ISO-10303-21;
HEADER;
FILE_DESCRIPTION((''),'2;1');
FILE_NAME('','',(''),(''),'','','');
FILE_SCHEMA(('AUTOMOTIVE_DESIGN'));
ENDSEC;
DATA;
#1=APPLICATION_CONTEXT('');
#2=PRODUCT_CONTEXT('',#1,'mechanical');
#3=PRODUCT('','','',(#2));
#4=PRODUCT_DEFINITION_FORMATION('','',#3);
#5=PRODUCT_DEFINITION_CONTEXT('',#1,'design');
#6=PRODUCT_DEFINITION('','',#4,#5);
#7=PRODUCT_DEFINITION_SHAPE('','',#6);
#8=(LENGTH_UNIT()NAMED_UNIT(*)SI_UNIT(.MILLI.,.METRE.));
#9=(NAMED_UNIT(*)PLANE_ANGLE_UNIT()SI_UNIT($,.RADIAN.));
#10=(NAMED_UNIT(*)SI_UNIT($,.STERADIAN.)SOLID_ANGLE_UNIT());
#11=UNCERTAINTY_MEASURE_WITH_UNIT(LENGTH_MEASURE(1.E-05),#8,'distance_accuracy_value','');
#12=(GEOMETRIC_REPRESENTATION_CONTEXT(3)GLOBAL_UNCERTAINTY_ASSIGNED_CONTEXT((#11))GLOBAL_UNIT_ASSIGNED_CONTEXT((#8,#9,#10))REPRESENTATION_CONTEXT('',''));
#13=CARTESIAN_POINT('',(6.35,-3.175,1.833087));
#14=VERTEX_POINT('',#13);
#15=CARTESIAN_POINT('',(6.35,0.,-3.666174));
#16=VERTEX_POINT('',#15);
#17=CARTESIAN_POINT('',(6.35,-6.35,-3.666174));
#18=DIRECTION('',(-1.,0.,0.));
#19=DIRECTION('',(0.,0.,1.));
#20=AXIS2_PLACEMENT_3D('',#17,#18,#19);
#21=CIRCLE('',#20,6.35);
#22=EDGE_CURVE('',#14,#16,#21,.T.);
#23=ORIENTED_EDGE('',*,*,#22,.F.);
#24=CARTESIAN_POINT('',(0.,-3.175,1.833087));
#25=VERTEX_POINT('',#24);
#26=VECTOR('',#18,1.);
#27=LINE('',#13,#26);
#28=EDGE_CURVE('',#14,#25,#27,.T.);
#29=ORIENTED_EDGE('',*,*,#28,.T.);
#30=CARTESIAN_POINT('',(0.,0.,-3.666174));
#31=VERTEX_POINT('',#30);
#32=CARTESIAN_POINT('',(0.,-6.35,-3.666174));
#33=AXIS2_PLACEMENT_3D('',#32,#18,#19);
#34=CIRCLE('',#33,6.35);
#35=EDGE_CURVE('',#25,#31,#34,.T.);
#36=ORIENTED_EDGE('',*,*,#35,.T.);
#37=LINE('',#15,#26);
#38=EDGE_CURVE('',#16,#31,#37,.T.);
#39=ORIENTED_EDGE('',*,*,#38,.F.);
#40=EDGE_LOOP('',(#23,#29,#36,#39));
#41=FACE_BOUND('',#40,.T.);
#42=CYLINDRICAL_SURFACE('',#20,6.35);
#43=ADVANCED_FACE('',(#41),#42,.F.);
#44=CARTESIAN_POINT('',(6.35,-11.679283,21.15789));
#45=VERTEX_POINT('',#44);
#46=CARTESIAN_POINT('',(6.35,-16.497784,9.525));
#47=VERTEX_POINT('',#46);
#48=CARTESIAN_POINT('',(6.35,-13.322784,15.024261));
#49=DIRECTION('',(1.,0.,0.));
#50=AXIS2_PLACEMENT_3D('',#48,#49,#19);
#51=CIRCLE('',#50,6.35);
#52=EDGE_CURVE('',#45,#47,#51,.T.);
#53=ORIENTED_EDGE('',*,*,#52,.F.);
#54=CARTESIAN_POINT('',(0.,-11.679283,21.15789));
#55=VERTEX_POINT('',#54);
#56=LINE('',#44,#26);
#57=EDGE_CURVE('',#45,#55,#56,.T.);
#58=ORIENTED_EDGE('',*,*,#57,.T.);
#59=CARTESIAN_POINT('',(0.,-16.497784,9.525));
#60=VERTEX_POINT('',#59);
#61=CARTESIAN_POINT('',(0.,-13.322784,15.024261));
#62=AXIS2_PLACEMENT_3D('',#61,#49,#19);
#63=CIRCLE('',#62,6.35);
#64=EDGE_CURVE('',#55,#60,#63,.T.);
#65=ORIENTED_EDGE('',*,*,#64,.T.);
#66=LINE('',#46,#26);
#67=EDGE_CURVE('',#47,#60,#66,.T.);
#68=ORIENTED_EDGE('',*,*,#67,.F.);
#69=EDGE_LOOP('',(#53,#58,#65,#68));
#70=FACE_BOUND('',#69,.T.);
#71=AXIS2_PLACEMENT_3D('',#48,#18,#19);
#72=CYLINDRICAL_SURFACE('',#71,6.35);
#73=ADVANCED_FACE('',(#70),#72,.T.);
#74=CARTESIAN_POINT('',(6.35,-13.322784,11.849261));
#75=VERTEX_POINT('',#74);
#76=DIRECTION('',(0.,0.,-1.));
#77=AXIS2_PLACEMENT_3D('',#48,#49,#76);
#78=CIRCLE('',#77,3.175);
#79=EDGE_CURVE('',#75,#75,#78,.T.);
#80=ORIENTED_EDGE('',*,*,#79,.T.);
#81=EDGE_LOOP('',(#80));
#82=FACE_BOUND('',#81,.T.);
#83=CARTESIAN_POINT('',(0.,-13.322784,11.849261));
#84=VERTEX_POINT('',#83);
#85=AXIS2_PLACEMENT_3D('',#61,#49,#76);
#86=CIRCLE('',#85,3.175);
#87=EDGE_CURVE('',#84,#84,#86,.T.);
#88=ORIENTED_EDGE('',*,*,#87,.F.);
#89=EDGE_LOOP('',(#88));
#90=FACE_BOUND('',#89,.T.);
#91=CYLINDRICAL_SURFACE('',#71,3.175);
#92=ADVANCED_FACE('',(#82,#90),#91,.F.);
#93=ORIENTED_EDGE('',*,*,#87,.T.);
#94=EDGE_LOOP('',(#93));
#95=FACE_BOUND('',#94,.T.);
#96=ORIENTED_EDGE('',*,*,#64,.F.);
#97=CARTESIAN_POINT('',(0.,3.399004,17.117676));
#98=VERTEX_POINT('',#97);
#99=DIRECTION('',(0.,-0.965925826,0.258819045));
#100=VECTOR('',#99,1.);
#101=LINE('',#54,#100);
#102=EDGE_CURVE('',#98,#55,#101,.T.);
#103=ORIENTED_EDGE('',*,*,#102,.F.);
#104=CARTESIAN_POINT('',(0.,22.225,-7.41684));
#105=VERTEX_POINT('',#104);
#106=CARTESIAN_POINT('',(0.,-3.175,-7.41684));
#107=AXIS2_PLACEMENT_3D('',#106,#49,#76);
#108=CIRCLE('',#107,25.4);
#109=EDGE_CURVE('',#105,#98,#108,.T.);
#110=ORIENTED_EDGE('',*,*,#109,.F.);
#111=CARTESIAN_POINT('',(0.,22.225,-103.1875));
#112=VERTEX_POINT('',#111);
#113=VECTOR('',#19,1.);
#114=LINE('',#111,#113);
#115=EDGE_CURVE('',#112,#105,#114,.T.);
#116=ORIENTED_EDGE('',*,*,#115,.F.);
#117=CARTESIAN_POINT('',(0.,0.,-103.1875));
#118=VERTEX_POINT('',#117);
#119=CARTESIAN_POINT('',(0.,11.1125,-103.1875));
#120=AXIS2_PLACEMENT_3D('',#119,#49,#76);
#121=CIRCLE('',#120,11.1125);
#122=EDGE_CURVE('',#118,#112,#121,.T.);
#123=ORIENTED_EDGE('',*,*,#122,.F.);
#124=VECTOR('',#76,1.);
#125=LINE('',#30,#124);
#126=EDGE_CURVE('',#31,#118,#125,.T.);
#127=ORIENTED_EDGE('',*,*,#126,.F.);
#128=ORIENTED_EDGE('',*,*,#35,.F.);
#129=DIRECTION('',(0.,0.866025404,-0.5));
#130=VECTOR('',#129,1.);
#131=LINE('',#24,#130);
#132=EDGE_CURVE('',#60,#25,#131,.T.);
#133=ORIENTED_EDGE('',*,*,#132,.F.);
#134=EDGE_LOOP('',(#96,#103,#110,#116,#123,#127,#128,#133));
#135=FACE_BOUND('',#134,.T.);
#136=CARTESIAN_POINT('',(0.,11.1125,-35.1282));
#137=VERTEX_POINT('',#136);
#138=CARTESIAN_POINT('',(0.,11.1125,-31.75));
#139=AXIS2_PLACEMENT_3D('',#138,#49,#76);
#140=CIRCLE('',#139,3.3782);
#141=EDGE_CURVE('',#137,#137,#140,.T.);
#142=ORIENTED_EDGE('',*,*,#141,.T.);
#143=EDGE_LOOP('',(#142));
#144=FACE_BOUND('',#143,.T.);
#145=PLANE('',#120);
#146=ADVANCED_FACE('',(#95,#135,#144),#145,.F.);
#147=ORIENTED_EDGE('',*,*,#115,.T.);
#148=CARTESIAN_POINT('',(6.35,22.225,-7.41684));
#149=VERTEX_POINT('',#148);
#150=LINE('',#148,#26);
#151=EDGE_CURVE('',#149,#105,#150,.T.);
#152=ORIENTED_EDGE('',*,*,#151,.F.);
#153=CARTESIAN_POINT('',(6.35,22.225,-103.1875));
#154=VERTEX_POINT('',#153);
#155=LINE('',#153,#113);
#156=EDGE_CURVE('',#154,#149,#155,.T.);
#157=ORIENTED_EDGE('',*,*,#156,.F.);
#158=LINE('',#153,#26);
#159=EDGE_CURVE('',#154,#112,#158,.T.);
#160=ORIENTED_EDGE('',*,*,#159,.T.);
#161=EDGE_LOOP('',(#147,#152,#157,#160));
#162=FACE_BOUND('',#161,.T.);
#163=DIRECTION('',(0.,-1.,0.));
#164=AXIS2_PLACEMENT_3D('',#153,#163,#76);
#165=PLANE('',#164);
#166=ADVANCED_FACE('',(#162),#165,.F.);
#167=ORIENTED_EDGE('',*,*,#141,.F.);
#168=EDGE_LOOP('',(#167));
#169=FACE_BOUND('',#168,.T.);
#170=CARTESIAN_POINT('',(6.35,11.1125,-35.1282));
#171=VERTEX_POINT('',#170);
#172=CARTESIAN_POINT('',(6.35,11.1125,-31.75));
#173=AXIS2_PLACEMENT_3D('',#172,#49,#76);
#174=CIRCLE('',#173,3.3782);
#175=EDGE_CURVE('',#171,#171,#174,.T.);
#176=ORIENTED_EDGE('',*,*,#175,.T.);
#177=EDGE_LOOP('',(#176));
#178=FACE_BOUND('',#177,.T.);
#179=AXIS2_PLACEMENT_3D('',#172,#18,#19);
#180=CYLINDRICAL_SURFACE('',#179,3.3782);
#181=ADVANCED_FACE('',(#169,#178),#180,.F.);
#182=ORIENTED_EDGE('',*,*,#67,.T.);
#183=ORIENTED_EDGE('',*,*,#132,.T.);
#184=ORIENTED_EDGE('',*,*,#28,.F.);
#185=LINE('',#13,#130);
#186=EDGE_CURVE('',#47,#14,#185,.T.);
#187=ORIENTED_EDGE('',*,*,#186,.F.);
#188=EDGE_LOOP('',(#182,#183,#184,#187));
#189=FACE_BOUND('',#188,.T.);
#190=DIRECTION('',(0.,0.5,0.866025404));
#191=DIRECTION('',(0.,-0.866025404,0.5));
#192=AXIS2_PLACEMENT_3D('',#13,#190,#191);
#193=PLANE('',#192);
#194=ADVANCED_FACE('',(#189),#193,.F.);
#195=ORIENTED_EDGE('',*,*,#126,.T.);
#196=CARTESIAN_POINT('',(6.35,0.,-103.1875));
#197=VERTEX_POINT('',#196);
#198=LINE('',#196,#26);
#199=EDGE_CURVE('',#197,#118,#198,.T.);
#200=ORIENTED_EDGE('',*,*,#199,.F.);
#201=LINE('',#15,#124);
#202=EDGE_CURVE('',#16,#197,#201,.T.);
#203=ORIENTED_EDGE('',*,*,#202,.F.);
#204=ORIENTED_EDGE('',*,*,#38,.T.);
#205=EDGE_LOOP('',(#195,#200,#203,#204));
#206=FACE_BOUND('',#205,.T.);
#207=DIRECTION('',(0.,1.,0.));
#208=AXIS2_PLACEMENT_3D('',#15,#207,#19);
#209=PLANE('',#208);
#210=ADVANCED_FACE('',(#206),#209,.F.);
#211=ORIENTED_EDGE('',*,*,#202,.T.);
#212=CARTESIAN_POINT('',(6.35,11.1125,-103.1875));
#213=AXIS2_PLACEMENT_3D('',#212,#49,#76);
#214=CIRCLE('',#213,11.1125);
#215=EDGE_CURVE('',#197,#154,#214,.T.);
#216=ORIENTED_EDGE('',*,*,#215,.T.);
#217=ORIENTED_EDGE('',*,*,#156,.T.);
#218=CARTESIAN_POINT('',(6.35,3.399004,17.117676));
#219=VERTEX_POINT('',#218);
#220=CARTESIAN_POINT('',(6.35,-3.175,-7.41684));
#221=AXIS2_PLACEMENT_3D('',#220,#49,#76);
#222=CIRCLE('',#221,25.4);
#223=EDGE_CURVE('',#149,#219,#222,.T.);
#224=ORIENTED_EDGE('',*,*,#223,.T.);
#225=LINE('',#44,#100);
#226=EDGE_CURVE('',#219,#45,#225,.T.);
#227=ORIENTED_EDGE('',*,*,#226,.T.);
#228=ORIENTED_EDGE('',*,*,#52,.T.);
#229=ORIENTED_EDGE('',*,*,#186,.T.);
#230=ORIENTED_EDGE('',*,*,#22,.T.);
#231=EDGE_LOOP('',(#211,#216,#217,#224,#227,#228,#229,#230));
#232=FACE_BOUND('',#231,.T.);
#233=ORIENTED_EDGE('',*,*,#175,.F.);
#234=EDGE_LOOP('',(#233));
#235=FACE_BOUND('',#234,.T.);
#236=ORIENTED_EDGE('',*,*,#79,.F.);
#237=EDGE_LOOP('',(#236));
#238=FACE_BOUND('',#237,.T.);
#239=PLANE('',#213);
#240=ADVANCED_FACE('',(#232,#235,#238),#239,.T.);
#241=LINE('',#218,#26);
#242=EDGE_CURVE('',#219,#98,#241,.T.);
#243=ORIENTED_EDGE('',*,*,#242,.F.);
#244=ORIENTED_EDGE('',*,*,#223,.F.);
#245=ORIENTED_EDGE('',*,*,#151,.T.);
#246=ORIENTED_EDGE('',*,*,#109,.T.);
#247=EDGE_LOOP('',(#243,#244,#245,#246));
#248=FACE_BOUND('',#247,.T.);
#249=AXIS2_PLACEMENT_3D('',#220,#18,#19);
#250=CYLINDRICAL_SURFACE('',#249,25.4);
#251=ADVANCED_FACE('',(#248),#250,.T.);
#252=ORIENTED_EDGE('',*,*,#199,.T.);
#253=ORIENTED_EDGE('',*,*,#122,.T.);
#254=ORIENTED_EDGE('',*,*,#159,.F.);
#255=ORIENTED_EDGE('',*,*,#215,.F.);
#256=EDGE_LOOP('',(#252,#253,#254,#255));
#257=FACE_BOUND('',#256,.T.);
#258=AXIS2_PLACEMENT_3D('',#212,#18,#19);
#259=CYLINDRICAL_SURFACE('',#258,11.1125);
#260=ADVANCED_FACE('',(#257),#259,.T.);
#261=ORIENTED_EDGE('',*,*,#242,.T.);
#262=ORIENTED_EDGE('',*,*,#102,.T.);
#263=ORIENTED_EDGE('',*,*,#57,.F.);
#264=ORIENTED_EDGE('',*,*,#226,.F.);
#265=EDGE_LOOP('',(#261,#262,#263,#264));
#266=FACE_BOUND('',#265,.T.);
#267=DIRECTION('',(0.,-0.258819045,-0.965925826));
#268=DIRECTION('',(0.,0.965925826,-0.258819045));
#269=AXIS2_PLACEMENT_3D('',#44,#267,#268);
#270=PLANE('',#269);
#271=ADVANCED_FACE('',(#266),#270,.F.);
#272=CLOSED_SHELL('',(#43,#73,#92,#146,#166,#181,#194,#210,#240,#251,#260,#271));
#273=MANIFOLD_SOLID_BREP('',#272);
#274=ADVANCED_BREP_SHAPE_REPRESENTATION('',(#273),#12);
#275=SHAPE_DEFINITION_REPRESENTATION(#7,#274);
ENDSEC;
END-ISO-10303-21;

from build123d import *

# Parameters (mm, degrees)
SKETCH1_R           = 3.175
SKETCH1_R_2         = 3.3782
BOSS_EXTRUDE1_DEPTH = 6.35


with BuildPart() as part:
    # Sketch1 → Boss-Extrude1 (new body)
    with BuildSketch(Plane(origin=(0, 0, 0), x_dir=(0, 0, -1), z_dir=(1, 0, 0))):
        with BuildLine():
            Line((3.666174209, 0), (103.1875, 0))
            ThreePointArc((103.1875, 0), (114.3, 11.1125), (103.1875, 22.225))
            Line((103.1875, 22.225), (7.416840435, 22.225))
            ThreePointArc((7.416840435, 22.225), (-8.045699862, 16.976174843), (-17.117675553, 3.399003746))
            Line((-17.117675553, 3.399003746), (-21.157890311, -11.679283006))
            ThreePointArc((-21.157890311, -11.679283006), (-17.45430111, -19.189418974), (-9.525, -16.497783942))
            Line((-9.525, -16.497783942), (-1.833087105, -3.175))
            ThreePointArc((-1.833087105, -3.175), (0.491174209, -0.850738686), (3.666174209, 0))
        make_face()
        with Locations((-15.024261314, -13.322783942)):
            Circle(SKETCH1_R, mode=Mode.SUBTRACT)
        with Locations((31.75, 11.1125)):
            Circle(SKETCH1_R_2, mode=Mode.SUBTRACT)
    extrude(amount=BOSS_EXTRUDE1_DEPTH)


solid = part.part
